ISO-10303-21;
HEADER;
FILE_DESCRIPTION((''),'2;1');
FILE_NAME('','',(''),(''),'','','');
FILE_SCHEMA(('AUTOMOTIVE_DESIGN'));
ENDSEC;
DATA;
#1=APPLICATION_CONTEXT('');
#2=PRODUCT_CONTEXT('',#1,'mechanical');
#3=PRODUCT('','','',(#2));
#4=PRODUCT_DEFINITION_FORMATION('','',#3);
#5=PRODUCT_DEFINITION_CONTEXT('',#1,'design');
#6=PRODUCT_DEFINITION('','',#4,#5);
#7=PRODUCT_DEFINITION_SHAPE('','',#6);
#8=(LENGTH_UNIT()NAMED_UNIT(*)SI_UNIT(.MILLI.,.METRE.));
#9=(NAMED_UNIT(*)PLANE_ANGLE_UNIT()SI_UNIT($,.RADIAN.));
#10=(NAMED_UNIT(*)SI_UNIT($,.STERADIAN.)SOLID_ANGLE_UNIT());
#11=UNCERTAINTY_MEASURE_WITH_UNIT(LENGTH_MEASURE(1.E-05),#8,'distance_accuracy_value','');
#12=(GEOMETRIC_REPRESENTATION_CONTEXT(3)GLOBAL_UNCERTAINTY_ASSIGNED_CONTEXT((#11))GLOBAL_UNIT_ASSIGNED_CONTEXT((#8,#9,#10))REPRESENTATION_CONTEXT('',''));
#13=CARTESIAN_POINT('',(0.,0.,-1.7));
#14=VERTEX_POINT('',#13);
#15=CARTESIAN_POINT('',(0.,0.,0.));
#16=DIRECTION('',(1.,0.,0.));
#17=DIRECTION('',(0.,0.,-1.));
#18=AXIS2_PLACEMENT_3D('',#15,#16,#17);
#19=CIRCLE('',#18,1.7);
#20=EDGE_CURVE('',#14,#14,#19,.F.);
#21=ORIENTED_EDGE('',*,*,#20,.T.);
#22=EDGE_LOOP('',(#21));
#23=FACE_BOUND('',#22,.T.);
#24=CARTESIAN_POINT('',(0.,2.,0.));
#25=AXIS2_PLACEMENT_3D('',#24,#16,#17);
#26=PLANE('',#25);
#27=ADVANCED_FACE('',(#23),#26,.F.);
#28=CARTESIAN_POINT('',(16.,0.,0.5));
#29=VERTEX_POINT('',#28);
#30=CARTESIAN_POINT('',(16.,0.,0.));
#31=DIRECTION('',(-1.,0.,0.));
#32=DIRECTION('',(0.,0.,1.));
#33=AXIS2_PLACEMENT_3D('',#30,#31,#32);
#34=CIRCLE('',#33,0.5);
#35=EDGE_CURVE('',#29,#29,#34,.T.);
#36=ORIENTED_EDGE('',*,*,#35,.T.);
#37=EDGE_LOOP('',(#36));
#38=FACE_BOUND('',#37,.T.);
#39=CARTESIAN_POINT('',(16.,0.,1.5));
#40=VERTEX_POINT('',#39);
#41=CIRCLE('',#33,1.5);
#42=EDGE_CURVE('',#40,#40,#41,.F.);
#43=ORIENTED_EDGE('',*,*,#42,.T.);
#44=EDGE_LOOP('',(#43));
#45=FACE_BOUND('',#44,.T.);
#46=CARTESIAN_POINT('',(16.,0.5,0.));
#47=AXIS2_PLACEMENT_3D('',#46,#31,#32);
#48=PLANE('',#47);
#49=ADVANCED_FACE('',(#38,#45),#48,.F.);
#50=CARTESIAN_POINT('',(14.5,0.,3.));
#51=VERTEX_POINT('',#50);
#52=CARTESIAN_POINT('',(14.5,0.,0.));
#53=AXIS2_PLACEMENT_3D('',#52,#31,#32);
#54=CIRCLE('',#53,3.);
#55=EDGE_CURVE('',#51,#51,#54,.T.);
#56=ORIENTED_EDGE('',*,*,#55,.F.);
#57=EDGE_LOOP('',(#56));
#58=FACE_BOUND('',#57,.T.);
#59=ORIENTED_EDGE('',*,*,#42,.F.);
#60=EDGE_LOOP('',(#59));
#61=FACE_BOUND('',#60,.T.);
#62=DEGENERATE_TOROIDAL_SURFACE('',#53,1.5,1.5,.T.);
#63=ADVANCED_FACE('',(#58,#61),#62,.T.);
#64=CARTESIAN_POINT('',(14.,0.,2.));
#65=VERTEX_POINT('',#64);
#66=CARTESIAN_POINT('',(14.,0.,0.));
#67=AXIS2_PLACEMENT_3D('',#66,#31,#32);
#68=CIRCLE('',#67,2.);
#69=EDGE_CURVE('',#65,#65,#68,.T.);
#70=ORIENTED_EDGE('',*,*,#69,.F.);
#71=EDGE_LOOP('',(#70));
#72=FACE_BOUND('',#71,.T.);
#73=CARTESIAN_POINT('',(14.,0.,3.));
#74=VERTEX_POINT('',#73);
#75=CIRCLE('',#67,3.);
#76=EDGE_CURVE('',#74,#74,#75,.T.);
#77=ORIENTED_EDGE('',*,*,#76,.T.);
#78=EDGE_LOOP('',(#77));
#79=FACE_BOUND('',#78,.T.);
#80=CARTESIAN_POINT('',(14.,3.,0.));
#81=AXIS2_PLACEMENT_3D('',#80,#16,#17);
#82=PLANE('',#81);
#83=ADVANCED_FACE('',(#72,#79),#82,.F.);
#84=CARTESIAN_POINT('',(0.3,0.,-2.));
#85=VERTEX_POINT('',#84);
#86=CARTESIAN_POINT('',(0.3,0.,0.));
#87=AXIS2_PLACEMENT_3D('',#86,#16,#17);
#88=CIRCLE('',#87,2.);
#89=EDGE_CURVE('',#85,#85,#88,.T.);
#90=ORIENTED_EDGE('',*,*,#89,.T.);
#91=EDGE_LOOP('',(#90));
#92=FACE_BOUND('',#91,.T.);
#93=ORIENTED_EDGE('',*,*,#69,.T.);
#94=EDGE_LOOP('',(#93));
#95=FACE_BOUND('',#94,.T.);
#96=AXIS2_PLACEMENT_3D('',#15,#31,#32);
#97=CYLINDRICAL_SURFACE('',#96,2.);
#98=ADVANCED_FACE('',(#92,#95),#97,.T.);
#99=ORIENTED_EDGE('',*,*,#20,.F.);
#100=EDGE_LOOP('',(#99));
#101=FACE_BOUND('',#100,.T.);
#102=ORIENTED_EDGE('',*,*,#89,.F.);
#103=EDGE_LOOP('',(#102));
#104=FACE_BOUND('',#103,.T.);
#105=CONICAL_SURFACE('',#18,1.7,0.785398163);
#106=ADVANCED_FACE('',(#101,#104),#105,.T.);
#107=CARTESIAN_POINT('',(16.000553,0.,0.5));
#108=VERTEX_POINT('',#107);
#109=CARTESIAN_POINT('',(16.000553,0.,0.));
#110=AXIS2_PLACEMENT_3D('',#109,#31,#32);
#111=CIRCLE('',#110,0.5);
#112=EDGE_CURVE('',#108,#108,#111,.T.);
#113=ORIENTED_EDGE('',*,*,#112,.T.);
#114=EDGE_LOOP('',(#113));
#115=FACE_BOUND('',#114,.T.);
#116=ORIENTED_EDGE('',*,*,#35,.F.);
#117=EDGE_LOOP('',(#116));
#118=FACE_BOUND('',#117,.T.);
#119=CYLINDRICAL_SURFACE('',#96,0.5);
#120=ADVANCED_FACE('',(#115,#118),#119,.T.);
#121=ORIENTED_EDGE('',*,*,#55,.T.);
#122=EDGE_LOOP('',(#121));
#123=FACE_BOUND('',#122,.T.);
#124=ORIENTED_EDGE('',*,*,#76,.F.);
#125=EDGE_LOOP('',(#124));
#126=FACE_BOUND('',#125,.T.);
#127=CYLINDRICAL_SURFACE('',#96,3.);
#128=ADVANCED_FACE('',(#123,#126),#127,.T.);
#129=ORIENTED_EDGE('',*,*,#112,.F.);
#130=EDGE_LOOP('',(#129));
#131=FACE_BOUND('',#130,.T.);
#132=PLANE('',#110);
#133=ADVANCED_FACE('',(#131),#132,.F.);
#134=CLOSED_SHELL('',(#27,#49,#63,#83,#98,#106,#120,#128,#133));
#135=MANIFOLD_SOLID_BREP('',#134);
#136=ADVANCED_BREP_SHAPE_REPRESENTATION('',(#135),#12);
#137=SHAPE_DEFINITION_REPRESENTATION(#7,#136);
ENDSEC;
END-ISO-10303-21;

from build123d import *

# Parameters (mm, degrees)
FILETE1_R     = 1.5
CHANFRO1_SIZE = 0.3


with BuildPart() as part:
    # Esboço1 → Revolução1 (revolve)
    with BuildSketch(Plane.XY, mode=Mode.PRIVATE) as revolu_o1_sk:
        Polygon((0, 0), (16.000553077, 0), (16, 0.5), (16, 3), (14, 3), (14, 2), (0, 2), align=None)
    revolve(revolu_o1_sk.sketch.rotate(Axis((0, 0, 0), (1, 0, 0)), 90), axis=Axis((0, 0, 0), (1, 0, 0)))

    # Filete1
    filete1_edges = [part.edges().sort_by_distance(p)[0] for p in [
        (16, 0, -3),
    ]]
    fillet(filete1_edges, radius=FILETE1_R)

    # Chanfro1
    chanfro1_edges = [part.edges().sort_by_distance(p)[0] for p in [
        (0, 0, -2),
    ]]
    chamfer(chanfro1_edges, length=CHANFRO1_SIZE)


solid = part.part
